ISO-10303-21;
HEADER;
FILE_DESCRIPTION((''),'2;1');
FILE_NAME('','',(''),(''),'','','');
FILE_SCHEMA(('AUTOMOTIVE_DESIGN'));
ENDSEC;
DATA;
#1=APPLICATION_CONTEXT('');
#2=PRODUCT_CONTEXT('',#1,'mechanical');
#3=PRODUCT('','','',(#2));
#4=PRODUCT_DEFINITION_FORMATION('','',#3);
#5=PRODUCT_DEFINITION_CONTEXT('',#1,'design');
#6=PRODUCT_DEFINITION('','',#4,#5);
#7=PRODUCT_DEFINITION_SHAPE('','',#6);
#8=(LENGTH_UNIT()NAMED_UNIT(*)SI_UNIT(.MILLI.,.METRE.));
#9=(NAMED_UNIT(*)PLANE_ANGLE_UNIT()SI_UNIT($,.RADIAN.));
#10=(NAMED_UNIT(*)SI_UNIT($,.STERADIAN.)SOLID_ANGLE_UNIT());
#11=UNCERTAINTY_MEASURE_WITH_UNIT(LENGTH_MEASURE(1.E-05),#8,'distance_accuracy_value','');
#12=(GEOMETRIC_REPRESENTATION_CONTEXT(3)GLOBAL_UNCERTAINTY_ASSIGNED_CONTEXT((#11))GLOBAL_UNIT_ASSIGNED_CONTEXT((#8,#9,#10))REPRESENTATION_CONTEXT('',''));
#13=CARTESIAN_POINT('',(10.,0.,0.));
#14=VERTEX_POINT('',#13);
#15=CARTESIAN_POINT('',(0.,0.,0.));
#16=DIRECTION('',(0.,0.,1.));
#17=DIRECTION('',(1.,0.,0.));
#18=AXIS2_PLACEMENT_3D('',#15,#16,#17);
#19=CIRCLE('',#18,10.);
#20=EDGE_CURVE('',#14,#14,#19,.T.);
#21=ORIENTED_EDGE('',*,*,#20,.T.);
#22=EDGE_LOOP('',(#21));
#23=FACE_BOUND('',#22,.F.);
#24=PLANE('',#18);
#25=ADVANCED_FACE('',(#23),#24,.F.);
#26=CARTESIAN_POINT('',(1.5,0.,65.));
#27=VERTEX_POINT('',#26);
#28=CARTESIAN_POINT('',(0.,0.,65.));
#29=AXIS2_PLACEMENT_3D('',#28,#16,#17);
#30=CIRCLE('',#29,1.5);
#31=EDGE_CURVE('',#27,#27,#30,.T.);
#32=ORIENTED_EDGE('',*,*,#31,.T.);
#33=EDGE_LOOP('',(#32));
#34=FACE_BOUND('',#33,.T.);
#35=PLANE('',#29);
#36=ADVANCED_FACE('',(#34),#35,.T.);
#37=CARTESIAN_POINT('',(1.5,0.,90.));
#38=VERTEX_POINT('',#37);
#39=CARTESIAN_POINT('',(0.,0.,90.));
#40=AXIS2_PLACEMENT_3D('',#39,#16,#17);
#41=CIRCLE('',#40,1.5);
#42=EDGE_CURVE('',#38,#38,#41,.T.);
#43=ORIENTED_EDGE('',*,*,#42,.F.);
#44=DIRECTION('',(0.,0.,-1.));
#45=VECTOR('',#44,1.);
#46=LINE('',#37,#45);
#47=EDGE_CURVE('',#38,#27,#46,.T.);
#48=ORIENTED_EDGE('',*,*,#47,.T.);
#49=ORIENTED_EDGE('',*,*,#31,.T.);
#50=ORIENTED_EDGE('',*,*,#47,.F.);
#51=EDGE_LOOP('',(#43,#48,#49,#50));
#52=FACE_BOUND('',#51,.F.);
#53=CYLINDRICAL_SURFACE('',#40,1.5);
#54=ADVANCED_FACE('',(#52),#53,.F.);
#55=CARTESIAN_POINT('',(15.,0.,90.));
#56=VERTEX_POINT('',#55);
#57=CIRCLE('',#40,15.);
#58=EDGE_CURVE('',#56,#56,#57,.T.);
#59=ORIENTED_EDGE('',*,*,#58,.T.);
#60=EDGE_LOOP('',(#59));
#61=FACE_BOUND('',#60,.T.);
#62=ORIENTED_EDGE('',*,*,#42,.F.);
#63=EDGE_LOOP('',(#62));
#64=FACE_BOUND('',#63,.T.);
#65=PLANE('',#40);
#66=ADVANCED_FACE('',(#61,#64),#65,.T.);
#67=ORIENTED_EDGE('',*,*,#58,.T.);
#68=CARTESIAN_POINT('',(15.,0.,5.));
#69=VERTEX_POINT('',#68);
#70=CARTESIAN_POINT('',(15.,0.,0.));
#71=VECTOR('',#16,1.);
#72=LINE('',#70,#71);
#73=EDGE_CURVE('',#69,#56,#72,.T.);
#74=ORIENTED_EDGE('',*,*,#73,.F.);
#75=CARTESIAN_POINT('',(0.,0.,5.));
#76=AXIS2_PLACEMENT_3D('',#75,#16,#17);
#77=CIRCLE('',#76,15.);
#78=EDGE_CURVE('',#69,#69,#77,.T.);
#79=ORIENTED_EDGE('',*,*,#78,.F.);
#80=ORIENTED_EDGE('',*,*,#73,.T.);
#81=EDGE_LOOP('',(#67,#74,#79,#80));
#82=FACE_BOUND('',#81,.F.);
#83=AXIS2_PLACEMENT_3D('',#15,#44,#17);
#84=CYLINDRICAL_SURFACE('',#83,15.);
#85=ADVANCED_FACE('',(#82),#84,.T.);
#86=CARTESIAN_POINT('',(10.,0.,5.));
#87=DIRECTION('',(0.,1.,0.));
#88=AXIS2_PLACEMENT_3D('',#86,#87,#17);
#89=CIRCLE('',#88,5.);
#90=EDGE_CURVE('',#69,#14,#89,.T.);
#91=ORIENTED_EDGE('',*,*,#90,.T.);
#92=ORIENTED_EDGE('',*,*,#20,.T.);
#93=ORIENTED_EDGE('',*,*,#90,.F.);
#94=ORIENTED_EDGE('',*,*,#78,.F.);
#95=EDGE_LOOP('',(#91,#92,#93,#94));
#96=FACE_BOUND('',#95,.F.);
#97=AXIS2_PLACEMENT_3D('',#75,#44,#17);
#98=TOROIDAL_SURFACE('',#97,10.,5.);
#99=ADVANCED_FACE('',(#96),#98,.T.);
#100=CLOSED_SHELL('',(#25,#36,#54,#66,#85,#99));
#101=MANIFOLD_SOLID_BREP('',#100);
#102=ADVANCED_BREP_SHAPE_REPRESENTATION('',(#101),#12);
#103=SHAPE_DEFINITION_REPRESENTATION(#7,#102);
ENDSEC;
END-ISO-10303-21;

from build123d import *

# Parameters (mm, degrees)
F0_R     = 15
F1_DEPTH = 90
F2_R     = 1.5
F3_DEPTH = 25
F4_R     = 5


with BuildPart() as f1:
    # F0 (on Top) → F1 (new body)
    with BuildSketch(Plane.XY):
        Circle(F0_R)
    extrude(amount=F1_DEPTH)

    # F2 (on face) → F3 (cut)
    with BuildSketch(Plane.XY.offset(90)):
        Circle(F2_R)
    extrude(amount=-F3_DEPTH, mode=Mode.SUBTRACT)

    # F4
    f4_edges = [f1.edges().sort_by_distance(p)[0] for p in [
        (-15, 0, 0),
    ]]
    fillet(f4_edges, radius=F4_R)


solid = f1.part
